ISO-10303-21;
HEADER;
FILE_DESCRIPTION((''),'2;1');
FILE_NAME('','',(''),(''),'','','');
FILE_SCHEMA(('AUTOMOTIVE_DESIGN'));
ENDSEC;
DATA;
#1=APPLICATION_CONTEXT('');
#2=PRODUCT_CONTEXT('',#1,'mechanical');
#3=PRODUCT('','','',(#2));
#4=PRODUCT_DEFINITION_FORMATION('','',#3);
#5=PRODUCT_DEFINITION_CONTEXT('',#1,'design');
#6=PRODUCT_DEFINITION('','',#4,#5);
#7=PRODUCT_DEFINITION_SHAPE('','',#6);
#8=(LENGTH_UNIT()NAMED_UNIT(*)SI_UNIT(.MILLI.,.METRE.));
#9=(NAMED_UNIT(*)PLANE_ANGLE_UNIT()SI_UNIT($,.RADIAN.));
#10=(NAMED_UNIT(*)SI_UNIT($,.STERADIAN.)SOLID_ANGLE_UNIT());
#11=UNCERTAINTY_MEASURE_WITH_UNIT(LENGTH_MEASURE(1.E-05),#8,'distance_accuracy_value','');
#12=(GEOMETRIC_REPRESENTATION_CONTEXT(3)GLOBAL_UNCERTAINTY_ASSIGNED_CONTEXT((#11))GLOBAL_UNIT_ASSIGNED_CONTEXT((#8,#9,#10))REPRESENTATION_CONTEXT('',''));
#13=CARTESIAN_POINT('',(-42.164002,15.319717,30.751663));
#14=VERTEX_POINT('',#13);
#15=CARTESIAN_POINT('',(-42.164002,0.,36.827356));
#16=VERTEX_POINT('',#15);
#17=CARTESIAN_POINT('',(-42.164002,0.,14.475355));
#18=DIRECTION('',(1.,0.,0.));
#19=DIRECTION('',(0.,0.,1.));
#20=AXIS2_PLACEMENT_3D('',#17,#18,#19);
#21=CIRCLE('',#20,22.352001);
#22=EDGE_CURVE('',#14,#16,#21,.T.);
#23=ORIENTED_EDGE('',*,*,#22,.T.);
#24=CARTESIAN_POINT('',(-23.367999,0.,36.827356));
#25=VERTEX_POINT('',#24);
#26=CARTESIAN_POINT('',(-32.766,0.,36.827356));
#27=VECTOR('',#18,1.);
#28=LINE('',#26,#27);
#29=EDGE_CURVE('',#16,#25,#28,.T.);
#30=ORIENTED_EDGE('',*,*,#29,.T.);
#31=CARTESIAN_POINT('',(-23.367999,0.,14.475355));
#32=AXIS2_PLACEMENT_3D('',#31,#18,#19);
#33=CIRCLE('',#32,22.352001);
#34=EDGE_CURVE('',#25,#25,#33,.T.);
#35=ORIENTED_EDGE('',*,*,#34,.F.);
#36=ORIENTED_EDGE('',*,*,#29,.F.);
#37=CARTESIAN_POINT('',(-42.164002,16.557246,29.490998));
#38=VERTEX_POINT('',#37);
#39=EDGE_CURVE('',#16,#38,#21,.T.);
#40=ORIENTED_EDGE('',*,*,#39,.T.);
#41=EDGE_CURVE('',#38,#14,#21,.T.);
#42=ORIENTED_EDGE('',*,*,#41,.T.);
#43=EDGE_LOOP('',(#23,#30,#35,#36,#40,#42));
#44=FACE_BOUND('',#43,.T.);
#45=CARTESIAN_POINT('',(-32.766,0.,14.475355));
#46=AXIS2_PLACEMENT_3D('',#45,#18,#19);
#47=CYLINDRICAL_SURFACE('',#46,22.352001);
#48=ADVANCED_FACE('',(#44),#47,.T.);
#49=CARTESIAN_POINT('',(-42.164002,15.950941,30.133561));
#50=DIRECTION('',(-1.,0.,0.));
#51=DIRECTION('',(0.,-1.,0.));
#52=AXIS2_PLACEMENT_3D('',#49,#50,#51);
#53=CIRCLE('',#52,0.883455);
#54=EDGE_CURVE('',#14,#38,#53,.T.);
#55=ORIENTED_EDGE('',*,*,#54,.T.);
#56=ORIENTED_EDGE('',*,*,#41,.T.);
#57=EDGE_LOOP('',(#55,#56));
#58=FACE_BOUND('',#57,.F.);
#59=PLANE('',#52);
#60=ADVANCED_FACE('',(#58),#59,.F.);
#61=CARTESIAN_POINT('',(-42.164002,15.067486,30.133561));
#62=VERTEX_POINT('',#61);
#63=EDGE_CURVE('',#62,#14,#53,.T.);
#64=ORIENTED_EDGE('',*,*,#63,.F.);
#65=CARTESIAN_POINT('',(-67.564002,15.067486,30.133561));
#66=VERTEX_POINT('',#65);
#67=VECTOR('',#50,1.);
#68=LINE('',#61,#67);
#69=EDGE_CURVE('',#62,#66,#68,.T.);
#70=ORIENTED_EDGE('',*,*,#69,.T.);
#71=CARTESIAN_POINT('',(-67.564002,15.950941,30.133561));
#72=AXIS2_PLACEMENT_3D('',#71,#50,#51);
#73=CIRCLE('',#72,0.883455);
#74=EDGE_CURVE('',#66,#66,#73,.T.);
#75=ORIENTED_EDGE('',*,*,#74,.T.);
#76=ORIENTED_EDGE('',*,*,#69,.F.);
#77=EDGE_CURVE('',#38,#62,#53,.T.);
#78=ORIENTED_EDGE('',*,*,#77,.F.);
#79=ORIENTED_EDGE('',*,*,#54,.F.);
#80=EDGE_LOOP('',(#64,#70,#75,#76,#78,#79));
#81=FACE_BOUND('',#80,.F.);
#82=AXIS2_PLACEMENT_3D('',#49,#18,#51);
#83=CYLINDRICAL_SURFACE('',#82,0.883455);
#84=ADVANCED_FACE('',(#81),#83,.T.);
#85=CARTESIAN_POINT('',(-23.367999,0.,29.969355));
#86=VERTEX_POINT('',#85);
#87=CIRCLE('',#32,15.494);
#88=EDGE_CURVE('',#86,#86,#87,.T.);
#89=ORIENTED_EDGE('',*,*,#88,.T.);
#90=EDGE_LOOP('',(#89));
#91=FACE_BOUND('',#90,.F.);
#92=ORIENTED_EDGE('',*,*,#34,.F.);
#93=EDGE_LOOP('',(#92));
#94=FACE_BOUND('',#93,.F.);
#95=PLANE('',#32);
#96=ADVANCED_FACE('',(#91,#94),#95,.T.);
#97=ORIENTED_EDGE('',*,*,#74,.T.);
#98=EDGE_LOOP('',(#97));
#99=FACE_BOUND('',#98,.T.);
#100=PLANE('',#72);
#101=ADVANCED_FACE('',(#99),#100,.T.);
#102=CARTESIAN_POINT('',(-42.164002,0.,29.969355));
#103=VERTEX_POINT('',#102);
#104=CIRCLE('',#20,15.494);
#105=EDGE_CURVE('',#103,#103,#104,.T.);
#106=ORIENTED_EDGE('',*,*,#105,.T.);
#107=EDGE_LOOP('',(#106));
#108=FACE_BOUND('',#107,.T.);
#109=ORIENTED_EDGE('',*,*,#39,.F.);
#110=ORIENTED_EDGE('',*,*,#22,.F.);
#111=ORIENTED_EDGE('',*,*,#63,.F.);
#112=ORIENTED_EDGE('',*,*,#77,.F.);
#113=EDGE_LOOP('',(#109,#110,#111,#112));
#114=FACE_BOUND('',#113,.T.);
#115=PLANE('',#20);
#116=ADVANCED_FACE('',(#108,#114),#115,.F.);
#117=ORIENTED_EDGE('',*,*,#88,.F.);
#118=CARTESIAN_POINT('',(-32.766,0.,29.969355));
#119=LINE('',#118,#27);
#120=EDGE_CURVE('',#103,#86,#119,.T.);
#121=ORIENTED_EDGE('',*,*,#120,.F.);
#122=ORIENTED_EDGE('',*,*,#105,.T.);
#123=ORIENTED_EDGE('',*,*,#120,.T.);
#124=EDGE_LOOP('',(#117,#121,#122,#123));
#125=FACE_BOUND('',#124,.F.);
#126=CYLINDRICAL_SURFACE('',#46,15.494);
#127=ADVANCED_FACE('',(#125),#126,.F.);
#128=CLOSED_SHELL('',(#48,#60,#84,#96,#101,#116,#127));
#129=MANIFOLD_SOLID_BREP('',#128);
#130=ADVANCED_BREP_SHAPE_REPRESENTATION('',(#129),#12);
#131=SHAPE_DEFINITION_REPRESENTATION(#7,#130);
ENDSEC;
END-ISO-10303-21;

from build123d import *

# Parameters (mm, degrees)
F0_W     = 18.7960024923
F0_H     = 6.8580005318
F2_R     = 0.8834552468
F3_DEPTH = 25.4


with BuildPart() as f1:
    # F0 (on Front) → F1 (revolve)
    with BuildSketch(Plane.XZ):
        with Locations((-32.7660003677, 33.3983553573)):
            Rectangle(F0_W, F0_H)
    revolve(axis=Axis((-34.1630009934, 0, 14.4753549248), (1, 0, 0)))

    # F2 (on face) → F3 (join)
    with BuildSketch(Plane(origin=(-42.1640016139, 0, 0), x_dir=(0, -1, 0), z_dir=(-1, 0, 0))):
        with Locations((-15.9509410696, 30.1335608954)):
            Circle(F2_R)
    extrude(amount=F3_DEPTH)


solid = f1.part
